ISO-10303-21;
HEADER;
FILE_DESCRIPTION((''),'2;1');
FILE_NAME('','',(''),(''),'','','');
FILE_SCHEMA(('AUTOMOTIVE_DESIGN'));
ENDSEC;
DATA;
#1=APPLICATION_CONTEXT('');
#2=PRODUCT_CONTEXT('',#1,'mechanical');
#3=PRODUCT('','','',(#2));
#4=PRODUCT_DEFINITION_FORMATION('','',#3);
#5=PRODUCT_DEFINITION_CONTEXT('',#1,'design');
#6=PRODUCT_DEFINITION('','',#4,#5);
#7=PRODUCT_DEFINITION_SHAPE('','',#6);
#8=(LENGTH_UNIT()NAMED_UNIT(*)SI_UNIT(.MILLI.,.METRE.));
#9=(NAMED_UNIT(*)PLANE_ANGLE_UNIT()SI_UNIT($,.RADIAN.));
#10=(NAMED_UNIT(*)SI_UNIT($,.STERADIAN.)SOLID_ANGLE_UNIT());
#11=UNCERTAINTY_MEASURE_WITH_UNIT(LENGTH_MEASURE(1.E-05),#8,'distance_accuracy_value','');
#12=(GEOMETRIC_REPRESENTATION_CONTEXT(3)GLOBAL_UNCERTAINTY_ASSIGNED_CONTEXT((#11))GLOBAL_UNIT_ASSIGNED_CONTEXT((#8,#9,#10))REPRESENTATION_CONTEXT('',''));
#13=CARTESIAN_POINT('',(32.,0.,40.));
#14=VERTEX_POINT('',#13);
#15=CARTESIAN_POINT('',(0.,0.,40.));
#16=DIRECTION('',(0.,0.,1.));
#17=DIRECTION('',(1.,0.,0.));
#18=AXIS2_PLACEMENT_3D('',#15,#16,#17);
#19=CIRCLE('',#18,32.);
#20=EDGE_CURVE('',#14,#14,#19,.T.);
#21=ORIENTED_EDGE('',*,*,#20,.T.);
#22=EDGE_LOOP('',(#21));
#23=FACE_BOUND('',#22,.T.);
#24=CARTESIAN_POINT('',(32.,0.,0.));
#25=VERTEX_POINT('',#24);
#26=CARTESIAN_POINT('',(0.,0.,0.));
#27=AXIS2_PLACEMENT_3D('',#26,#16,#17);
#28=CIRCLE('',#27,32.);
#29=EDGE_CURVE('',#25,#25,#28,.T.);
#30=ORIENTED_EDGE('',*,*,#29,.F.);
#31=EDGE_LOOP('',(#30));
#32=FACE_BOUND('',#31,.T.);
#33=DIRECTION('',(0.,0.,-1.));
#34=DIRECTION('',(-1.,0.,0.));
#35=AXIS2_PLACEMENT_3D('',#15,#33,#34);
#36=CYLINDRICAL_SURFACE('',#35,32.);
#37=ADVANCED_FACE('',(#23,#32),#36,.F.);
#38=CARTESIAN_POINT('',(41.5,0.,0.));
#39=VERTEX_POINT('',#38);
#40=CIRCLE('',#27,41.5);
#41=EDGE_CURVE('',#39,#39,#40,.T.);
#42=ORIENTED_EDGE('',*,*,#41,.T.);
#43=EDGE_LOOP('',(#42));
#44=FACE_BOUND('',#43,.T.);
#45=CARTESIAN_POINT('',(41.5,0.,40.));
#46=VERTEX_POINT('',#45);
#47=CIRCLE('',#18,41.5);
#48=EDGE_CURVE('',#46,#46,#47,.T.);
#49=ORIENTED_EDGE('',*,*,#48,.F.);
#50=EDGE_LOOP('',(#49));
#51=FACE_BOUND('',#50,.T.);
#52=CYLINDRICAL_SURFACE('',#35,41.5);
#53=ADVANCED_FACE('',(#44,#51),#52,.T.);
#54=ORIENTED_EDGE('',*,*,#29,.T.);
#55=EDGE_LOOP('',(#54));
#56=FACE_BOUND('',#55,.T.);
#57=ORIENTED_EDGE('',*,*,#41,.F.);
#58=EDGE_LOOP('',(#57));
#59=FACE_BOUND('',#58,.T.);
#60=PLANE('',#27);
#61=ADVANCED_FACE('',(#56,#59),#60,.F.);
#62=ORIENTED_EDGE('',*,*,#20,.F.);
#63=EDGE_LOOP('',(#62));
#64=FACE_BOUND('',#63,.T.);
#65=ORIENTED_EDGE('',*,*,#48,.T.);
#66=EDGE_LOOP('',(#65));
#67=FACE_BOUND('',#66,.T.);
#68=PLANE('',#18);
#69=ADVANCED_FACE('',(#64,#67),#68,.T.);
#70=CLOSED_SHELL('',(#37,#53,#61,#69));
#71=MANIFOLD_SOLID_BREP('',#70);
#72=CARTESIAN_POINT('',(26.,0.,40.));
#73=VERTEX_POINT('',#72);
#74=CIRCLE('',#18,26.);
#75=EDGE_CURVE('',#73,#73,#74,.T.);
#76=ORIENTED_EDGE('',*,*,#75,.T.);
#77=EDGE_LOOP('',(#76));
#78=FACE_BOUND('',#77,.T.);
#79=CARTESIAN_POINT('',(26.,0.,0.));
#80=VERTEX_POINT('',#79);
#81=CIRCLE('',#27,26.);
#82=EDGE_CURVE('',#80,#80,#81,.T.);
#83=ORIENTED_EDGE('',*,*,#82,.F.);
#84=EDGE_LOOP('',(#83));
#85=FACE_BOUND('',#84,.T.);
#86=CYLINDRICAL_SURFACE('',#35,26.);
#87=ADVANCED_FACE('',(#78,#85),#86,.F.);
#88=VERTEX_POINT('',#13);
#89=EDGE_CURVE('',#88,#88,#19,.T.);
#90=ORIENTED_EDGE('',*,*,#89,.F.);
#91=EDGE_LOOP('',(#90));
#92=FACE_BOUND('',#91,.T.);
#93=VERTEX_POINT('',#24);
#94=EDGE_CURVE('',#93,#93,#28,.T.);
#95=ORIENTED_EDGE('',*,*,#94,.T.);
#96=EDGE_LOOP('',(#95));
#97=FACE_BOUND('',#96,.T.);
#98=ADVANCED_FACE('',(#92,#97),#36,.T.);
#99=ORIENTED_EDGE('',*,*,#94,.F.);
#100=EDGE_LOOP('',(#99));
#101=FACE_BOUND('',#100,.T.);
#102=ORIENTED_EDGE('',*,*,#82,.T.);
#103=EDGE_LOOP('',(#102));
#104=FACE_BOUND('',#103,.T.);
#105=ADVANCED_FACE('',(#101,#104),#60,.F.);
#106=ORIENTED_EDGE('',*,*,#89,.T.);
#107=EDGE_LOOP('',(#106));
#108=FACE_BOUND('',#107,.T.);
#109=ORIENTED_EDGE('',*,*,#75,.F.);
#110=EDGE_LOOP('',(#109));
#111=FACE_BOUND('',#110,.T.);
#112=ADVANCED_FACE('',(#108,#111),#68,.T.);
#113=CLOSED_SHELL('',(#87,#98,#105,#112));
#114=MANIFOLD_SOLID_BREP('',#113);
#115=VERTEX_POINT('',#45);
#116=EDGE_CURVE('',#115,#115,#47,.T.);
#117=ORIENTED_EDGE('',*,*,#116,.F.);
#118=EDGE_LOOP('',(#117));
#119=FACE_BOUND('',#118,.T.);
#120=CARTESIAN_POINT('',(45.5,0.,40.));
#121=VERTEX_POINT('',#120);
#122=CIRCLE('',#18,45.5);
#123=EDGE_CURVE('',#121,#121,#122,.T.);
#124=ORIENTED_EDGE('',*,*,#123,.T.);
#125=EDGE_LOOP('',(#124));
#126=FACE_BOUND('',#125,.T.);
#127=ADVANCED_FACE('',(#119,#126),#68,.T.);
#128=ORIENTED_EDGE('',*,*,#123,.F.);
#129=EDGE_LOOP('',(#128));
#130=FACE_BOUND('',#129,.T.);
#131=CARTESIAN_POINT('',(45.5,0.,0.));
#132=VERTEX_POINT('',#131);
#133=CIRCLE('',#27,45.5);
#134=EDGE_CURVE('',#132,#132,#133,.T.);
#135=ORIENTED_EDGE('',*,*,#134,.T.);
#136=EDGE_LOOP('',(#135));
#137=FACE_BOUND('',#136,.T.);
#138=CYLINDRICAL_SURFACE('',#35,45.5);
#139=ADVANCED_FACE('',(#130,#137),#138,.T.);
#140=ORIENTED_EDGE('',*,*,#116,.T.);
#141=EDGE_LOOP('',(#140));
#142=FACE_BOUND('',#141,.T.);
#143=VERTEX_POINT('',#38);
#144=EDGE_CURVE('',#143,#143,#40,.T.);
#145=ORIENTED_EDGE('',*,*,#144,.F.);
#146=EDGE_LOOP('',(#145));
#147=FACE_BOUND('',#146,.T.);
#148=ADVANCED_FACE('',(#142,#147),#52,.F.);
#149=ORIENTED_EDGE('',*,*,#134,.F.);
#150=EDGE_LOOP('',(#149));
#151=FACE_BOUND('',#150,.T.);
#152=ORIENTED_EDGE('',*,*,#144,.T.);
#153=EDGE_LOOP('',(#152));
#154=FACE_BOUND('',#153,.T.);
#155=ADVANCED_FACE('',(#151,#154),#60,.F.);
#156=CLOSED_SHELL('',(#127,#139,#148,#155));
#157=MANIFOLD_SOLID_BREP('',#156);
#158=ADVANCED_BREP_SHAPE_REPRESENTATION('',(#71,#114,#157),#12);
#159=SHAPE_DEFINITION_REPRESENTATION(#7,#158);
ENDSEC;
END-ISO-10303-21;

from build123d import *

# Parameters (mm, degrees)
SKETCH1_R             = 45.5
SKETCH1_R_2           = 41.5
BOSS_EXTRUDE1_DEPTH   = 40
SKETCH1_R_3           = 32
SKETCH1_R_4           = 26
BOSS_EXTRUDE1_2_DEPTH = 40
SKETCH1_4_R           = 41.5
SKETCH1_4_R_2         = 32
BOSS_EXTRUDE2_DEPTH   = 40


with BuildPart() as part:
    # Sketch1 → Boss-Extrude1 (new body)
    with BuildSketch(Plane.XY):
        Circle(SKETCH1_R)
        Circle(SKETCH1_R_2, mode=Mode.SUBTRACT)
    extrude(amount=BOSS_EXTRUDE1_DEPTH)


with BuildPart() as body_2:
    # Sketch1 → Boss-Extrude1 2 (new body)
    with BuildSketch(Plane.XY):
        Circle(SKETCH1_R_3)
        Circle(SKETCH1_R_4, mode=Mode.SUBTRACT)
    extrude(amount=BOSS_EXTRUDE1_2_DEPTH)


with BuildPart() as body_3:
    # Sketch1<4> → Boss-Extrude2 (new body)
    with BuildSketch(Plane.XY):
        Circle(SKETCH1_4_R)
        Circle(SKETCH1_4_R_2, mode=Mode.SUBTRACT)
    extrude(amount=BOSS_EXTRUDE2_DEPTH)


solid = Compound([part.part, body_2.part, body_3.part])
